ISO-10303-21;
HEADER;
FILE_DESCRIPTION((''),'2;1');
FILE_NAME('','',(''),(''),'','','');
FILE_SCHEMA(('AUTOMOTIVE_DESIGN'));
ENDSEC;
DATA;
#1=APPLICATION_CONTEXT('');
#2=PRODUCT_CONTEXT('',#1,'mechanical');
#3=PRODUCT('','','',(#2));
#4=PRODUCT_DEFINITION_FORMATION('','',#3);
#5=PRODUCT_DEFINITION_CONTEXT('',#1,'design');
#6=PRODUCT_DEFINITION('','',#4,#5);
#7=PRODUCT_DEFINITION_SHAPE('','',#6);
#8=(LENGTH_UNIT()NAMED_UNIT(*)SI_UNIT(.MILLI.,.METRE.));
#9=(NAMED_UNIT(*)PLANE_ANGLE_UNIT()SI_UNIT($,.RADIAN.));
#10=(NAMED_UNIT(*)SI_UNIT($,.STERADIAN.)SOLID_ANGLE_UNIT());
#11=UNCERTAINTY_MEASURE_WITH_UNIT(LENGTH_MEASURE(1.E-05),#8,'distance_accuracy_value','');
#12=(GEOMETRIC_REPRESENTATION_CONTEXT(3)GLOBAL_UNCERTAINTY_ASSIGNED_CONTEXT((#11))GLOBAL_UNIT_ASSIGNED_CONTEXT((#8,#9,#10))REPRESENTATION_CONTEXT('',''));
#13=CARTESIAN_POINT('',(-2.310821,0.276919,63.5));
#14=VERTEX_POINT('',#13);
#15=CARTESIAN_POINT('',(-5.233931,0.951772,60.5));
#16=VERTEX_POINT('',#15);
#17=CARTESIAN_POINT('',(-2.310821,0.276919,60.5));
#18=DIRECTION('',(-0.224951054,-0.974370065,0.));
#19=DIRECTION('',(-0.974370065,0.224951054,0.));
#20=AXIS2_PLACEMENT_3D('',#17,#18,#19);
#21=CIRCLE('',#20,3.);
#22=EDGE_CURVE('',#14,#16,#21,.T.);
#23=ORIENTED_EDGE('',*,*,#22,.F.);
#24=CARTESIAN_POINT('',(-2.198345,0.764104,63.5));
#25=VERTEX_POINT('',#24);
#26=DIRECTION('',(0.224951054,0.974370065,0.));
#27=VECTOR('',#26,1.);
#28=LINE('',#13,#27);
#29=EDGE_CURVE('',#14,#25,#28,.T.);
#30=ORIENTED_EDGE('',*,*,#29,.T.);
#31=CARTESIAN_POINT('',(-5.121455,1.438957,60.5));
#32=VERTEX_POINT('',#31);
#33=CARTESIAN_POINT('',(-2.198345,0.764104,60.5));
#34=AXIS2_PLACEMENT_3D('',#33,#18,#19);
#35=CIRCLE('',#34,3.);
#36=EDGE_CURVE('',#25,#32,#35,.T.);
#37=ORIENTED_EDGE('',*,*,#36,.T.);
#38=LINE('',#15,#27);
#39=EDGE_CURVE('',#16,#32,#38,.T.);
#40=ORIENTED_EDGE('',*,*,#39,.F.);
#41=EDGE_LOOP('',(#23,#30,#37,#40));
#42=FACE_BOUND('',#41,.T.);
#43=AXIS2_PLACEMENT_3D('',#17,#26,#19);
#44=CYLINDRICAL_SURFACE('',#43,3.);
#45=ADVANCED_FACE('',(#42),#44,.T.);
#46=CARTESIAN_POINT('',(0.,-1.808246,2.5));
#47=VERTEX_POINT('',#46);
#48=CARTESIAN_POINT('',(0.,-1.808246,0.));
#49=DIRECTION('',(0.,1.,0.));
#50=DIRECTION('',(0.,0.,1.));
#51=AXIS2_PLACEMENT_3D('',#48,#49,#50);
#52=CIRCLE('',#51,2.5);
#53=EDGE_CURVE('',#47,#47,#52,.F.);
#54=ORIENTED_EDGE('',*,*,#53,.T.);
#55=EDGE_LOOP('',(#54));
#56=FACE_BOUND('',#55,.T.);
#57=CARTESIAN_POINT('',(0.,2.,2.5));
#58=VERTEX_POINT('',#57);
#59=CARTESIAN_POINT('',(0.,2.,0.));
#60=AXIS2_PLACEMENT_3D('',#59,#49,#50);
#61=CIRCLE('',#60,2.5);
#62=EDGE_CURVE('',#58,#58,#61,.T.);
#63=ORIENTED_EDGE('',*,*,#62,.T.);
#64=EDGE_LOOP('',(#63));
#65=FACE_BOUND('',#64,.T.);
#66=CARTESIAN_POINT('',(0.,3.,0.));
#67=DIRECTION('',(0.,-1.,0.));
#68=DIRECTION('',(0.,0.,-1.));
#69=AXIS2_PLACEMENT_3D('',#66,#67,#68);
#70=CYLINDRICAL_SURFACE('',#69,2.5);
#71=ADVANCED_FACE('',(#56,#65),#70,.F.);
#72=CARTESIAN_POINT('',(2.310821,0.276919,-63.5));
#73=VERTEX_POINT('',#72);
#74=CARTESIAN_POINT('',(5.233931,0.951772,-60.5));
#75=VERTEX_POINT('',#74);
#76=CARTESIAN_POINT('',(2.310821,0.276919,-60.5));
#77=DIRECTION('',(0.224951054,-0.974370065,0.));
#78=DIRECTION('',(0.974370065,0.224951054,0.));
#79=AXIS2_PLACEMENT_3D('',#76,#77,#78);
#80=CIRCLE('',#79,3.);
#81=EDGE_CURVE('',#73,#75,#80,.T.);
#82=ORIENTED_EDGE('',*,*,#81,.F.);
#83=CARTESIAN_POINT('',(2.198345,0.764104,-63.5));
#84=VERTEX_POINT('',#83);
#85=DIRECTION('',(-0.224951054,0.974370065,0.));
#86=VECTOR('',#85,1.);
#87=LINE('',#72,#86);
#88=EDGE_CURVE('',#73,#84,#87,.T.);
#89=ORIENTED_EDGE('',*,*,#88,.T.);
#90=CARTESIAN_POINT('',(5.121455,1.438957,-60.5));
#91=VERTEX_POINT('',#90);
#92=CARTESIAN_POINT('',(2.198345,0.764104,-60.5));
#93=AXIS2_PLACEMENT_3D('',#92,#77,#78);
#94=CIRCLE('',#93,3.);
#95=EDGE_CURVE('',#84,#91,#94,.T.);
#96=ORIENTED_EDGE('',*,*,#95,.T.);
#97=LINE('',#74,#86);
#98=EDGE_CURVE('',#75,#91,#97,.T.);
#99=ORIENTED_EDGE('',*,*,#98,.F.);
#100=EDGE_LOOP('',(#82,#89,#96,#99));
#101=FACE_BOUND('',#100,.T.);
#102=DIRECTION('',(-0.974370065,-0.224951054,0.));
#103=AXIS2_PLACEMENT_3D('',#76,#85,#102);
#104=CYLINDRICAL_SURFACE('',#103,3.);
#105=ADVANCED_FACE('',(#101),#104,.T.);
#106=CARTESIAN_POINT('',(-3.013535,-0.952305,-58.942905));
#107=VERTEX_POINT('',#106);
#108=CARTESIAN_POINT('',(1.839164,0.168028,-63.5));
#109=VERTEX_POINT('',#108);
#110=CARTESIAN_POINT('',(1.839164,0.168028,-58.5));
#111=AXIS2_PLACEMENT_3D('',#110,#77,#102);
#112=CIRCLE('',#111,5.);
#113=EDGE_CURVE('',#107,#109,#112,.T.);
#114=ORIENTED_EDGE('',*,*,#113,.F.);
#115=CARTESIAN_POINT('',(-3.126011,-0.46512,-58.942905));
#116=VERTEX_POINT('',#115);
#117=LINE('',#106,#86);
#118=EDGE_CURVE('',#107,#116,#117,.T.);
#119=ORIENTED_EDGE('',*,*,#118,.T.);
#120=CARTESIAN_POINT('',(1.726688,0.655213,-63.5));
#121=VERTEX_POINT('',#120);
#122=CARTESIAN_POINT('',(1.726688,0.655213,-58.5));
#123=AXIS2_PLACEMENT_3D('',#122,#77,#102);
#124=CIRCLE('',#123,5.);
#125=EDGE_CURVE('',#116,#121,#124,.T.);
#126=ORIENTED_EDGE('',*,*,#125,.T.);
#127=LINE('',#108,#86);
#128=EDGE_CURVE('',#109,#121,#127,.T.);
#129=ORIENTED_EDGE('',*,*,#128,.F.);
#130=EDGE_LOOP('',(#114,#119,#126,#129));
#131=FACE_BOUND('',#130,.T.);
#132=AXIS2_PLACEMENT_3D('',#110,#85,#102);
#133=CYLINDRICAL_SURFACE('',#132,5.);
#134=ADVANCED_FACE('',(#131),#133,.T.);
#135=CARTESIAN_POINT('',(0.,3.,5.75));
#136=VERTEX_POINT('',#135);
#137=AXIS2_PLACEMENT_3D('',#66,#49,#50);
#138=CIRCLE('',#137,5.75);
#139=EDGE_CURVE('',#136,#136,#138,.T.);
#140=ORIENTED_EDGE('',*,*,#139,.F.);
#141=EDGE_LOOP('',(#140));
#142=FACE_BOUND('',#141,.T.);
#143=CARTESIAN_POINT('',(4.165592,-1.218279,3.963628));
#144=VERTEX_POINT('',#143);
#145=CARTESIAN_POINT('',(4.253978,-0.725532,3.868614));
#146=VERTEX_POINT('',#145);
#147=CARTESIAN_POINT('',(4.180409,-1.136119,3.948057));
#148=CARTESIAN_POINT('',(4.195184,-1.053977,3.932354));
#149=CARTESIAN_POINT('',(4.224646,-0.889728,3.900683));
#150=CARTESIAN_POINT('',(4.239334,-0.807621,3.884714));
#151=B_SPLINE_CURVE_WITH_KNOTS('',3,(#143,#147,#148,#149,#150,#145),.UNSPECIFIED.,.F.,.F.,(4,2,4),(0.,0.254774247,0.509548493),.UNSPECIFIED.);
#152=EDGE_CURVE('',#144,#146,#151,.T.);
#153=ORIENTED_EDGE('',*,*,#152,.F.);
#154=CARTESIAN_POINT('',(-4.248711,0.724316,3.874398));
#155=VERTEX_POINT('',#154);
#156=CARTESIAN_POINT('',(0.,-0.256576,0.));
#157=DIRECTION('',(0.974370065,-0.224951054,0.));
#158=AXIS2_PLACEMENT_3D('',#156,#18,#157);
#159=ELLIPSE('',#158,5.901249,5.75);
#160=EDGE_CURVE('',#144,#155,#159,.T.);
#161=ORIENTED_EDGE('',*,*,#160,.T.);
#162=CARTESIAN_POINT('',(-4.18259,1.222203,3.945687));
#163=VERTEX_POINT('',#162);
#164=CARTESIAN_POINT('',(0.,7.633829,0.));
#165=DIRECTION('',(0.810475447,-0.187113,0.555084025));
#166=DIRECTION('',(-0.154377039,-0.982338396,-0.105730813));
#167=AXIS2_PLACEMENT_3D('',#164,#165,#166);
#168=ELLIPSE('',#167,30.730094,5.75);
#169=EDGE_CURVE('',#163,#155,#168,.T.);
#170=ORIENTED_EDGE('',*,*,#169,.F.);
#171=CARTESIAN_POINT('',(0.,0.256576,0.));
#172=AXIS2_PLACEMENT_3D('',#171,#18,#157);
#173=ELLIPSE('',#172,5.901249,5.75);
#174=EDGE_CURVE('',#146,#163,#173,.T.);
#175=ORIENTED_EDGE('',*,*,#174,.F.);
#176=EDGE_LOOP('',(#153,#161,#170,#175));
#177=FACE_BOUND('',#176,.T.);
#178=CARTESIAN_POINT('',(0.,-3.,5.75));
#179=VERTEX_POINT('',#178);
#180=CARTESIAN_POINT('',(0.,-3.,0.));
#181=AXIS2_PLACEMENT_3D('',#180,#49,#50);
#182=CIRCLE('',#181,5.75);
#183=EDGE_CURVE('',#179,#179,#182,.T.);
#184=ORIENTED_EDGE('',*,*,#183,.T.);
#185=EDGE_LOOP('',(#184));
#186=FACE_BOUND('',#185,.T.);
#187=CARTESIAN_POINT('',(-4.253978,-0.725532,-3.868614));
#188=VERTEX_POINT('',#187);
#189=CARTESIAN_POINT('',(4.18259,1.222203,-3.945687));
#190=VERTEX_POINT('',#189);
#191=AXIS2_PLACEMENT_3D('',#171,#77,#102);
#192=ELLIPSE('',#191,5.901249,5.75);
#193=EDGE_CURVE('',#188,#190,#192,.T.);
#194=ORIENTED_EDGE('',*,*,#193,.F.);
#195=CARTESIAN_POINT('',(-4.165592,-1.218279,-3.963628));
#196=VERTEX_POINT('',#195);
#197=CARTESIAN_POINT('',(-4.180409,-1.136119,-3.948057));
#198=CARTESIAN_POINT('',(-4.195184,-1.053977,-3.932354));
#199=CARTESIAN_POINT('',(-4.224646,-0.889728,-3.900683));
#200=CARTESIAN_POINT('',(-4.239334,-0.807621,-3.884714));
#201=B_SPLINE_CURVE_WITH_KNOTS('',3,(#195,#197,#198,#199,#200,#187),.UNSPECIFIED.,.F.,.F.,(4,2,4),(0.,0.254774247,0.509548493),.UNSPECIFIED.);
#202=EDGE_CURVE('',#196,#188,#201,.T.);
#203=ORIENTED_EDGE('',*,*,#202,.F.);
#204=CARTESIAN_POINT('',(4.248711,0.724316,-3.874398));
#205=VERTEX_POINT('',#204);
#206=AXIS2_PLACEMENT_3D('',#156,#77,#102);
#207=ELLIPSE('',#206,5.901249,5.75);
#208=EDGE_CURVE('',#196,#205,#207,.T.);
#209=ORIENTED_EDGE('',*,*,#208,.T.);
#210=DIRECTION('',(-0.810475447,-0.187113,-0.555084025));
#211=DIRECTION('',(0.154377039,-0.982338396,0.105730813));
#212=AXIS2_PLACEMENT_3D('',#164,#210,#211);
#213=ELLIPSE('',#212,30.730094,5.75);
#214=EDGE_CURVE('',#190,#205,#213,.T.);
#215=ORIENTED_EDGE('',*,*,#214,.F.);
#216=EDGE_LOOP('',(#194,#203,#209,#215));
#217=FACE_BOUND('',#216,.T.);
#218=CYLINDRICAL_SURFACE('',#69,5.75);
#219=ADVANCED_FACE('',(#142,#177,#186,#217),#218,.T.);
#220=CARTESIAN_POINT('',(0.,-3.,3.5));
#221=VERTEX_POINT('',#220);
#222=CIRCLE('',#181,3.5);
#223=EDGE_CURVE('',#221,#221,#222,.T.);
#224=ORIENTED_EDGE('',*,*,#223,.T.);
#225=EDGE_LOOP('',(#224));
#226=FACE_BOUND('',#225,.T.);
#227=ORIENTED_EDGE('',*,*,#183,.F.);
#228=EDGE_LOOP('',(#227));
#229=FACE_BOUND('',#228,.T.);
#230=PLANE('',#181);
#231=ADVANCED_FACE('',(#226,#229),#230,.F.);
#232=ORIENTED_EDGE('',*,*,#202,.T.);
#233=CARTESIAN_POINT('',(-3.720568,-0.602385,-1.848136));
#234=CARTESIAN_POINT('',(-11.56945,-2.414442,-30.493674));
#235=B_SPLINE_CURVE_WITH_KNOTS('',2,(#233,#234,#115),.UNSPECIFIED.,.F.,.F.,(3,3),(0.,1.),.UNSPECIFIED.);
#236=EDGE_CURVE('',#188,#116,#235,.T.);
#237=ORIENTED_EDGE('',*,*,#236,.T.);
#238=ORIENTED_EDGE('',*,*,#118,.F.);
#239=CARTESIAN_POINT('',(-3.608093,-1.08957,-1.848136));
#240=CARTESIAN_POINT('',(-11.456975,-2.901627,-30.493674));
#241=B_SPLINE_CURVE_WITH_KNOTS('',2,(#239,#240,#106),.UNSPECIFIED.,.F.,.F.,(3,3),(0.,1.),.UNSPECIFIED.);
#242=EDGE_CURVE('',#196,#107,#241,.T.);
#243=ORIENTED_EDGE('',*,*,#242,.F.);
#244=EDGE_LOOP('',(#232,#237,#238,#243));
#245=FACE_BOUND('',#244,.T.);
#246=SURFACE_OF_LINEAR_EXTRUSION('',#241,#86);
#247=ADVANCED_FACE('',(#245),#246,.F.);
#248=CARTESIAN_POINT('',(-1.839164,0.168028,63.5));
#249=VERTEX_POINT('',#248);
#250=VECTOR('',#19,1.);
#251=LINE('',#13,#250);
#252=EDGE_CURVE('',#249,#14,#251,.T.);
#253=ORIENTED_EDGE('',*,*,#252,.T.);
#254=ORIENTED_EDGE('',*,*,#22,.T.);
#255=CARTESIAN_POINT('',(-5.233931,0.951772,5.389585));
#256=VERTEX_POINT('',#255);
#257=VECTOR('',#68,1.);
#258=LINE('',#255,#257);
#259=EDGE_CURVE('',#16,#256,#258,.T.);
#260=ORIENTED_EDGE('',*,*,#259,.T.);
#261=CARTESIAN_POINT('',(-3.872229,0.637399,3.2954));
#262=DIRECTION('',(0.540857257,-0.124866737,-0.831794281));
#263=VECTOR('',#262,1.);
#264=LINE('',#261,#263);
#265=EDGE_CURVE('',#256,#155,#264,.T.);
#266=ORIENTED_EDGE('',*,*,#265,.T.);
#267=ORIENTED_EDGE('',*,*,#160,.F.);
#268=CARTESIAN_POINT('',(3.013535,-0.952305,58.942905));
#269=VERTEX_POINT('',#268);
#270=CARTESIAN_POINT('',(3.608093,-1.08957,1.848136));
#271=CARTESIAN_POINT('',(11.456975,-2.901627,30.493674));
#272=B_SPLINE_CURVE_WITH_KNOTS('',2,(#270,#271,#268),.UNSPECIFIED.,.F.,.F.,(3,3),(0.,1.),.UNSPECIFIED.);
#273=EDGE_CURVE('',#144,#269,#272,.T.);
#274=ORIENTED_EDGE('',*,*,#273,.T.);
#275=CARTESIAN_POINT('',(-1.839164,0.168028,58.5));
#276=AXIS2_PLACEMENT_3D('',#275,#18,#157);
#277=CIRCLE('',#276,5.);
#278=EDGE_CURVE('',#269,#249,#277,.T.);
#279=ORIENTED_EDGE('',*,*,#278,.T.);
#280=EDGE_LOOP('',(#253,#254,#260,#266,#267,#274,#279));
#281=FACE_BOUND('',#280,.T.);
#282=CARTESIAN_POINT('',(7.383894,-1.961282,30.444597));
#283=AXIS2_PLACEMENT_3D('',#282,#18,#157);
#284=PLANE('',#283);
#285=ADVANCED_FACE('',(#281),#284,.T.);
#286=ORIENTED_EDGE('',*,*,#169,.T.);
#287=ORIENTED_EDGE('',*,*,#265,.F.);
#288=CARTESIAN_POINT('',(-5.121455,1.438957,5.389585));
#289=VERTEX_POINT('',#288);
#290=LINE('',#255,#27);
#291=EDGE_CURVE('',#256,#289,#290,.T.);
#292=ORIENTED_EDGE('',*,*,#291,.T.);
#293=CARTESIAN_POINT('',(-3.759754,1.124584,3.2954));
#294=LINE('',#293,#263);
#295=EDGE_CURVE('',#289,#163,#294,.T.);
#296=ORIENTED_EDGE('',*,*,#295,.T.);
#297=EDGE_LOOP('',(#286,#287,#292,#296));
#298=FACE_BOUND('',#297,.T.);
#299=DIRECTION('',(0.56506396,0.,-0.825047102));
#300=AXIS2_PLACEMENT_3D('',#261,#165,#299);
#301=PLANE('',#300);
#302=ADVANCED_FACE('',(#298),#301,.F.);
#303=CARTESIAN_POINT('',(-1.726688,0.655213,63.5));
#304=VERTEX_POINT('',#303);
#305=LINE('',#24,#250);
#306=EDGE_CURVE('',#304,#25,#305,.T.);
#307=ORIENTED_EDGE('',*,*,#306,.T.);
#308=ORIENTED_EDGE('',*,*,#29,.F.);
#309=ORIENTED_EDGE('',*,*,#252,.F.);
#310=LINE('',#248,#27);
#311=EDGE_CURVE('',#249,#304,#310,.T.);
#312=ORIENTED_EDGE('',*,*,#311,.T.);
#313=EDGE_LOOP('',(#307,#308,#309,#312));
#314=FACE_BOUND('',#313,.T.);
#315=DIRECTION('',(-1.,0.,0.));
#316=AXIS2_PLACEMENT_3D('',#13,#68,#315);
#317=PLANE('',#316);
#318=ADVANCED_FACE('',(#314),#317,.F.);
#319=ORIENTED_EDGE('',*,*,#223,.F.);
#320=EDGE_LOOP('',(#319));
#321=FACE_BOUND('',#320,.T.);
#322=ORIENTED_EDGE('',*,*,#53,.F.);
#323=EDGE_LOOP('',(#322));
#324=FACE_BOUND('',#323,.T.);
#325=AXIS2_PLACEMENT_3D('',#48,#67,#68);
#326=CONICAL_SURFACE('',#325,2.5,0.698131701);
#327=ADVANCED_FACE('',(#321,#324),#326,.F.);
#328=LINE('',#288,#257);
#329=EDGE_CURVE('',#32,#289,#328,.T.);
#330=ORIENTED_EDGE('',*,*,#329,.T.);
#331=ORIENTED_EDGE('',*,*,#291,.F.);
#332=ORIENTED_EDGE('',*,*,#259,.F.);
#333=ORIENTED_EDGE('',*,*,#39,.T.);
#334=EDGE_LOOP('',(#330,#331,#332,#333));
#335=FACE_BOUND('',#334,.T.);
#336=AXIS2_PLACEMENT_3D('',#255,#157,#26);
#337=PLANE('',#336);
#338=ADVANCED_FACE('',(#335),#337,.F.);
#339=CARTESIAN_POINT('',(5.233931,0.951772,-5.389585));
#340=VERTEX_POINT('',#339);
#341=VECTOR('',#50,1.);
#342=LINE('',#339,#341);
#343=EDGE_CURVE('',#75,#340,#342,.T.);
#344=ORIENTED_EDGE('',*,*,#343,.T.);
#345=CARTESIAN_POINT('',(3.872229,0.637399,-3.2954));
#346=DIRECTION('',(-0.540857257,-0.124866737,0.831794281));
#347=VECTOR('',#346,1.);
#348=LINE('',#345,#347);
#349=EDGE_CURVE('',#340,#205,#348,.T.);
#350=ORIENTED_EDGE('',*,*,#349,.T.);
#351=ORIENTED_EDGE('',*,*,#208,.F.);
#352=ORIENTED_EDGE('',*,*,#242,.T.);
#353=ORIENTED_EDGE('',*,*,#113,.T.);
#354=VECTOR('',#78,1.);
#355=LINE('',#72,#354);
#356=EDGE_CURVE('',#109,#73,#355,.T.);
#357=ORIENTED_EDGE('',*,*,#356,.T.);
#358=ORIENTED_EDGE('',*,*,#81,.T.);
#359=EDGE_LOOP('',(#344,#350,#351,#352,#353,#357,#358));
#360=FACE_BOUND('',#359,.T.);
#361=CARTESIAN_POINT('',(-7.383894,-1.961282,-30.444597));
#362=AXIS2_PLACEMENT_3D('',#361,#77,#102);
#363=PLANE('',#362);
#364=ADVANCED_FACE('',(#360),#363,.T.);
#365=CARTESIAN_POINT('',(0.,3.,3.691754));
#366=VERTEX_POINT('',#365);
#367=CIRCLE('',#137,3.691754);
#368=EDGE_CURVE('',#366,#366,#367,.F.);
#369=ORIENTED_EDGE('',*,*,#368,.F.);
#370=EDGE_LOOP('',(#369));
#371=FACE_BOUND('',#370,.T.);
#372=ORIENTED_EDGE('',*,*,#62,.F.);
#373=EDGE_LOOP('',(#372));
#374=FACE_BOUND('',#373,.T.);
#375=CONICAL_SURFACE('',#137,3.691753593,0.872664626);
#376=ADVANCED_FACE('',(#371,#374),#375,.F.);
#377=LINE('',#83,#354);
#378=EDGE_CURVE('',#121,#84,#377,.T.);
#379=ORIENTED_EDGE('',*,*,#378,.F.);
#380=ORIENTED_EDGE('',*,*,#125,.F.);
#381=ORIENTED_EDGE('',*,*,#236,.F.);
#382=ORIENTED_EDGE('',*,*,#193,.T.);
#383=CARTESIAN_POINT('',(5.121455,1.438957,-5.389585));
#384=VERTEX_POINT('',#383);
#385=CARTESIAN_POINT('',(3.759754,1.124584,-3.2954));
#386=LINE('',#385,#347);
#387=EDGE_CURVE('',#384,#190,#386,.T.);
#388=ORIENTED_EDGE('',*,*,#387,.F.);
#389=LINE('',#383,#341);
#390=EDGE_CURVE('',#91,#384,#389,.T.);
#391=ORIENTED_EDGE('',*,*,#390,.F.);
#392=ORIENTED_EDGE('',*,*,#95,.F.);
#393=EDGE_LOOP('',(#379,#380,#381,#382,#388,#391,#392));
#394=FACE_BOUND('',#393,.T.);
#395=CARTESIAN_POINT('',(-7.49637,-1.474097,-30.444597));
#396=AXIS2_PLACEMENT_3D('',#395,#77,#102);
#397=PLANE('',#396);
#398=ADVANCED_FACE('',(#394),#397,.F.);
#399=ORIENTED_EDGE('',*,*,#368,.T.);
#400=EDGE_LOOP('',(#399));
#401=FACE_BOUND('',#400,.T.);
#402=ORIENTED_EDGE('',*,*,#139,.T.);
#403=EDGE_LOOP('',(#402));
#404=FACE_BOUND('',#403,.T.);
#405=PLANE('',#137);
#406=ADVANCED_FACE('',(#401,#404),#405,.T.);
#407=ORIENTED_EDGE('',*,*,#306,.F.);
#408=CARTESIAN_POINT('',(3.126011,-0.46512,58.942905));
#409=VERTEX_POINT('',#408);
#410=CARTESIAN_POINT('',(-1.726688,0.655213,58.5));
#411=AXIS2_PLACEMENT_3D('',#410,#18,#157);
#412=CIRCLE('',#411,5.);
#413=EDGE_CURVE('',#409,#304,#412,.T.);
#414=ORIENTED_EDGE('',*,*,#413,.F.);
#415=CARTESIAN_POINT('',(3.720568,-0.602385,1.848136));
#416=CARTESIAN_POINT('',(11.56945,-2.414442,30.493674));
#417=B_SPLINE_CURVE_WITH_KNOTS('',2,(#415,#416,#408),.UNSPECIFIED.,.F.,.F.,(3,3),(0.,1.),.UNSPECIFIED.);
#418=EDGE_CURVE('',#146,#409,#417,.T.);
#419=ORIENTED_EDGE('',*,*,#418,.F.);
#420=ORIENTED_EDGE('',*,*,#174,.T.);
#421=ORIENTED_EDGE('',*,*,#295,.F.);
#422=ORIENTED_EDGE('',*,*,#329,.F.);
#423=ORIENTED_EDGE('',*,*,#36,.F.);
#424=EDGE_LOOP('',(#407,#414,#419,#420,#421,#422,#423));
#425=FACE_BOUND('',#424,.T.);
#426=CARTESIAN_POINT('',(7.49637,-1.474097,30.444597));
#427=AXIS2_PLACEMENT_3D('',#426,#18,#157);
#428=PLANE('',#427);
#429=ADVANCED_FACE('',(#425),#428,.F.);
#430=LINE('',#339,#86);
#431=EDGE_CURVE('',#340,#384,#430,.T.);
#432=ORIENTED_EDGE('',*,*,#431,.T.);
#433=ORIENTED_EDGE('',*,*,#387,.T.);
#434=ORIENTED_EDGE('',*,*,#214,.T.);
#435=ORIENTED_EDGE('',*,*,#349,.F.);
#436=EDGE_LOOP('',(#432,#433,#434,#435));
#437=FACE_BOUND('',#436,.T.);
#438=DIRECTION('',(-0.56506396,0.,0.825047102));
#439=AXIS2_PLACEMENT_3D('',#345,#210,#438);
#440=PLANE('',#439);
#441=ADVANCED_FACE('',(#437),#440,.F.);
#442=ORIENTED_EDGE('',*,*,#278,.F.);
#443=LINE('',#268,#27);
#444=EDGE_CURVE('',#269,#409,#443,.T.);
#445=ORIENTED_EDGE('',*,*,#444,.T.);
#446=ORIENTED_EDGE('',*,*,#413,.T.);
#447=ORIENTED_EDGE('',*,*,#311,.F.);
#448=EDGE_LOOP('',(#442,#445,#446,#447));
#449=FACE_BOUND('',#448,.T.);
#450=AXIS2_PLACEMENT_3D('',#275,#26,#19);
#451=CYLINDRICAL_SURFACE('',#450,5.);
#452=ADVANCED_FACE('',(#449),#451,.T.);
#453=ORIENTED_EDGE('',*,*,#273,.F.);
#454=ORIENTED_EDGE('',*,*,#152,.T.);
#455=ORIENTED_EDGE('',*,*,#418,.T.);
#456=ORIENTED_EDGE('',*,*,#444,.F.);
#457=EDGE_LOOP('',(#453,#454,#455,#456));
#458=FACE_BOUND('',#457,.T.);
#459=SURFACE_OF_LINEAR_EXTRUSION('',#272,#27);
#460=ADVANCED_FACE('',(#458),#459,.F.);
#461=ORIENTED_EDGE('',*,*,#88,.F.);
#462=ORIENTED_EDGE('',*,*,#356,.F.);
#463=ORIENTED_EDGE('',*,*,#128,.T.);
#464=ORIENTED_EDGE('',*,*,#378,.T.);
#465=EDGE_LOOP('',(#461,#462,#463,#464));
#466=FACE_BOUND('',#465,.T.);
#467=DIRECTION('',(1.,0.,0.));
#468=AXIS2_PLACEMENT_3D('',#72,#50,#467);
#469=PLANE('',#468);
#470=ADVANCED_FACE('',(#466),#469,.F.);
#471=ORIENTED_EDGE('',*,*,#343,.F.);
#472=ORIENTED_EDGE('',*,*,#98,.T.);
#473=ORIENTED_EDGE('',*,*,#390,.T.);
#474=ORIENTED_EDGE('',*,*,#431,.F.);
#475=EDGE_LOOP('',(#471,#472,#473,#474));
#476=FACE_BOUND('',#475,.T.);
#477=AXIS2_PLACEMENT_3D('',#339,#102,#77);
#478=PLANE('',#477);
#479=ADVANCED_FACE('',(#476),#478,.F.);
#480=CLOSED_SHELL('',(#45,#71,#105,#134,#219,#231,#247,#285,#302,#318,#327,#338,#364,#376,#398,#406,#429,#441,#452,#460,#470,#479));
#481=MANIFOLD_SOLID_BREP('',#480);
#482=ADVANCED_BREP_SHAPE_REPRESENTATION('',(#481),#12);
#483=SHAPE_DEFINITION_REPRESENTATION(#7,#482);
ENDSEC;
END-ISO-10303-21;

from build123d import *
from OCP.BRepFilletAPI import BRepFilletAPI_MakeChamfer

# Parameters (mm, degrees)
SKETCH_1_R               = 5.75
EXTRUDE_1_DEPTH          = 3
EXTRUDE_2_DEPTH          = 0.25
PATTERN_CIRCULAR_1_COUNT = 2
SKETCH_4_R               = 2.5
CUT_EXTRUDE_1_DEPTH      = 65.222479954
CHAMFER_1_SIZE           = 1
CHAMFER_1_SIZE2          = 1.191753593


with BuildPart() as part:
    # 草图1 → 凸台-拉伸1 (new, symmetric)
    with BuildSketch(Plane(origin=(0, 0, 0), x_dir=(1, 0, 0), z_dir=(0, 1, 0))):
        with Locations(Location((0, 0, 0), (0, 0, 270))):
            Circle(SKETCH_1_R)
    extrude(amount=EXTRUDE_1_DEPTH, both=True)

    # 草图3 → 凸台-拉伸2 (add, symmetric)
    with BuildSketch(Plane(origin=(0, 0, 0), x_dir=(0.9743700647852351, -0.22495105434386545, 0), z_dir=(-0.22495105434386545, -0.9743700647852351, 0))):
        with BuildLine():
            Line((-3.916367875, 3.295399757), (-5.31388764, 5.389585316))
            Line((-5.31388764, 5.389585316), (-5.31388764, 60.5))
            ThreePointArc((-5.31388764, 60.5), (-4.435207984, 62.621320344), (-2.31388764, 63.5))
            Line((-2.31388764, 63.5), (-1.829824276, 63.5))
            ThreePointArc((-1.829824276, 63.5), (1.545488809, 62.188802187), (3.15052064, 58.942904631))
            add(Edge.make_bspline(
                [(3.15052064, 58.942904631), (11.816057199, 30.493674225), (3.76071755, 1.848135525)],
                knots=[0, 0, 0, 1, 1, 1], degree=2))
            add(Edge.make_bspline(
                [(-3.916367875, 3.295399757), (0.478704758, 7.563280094), (3.76071755, 1.848135525)],
                knots=[0, 0, 0, 1, 1, 1], degree=2))
        make_face()
    extrude_2 = extrude(amount=EXTRUDE_2_DEPTH, both=True)

    # 阵列(圆周)1: 凸台-拉伸2 ×2 about axis
    pattern_circular_1_axis = Axis((0, -3, 0), (0, 1, 0))
    for i in range(1, PATTERN_CIRCULAR_1_COUNT):
        add(extrude_2.rotate(pattern_circular_1_axis, i * 360 / PATTERN_CIRCULAR_1_COUNT))

    # 草图4 → 切除-拉伸1 (cut, through all)
    with BuildSketch(Plane.XZ.offset(3)):
        with Locations(Location((0, 0, 0), (0, 0, 270))):
            Circle(SKETCH_4_R)
    extrude(amount=-CUT_EXTRUDE_1_DEPTH, mode=Mode.SUBTRACT)

    # 倒角1: one chamfer whose edges measure the first distance from different faces: ONE call of the kernel's chamfer builder (chamfer() names one face for all edges)
    chamfer_1_edges_1 = [part.edges().sort_by_distance(p)[0] for p in [
        (0, 3, 2.5),
    ]]
    chamfer_1_side_1 = [part.faces().sort_by_distance(p)[0] for p in [
        (0, 0, 2.5),
    ]]
    chamfer_1_edges_2 = [part.edges().sort_by_distance(p)[0] for p in [
        (0, -3, 2.5),
    ]]
    chamfer_1_side_2 = [part.faces().sort_by_distance(p)[0] for p in [
        (0, -3, -5.58736544),
    ]]
    chamfer_1 = BRepFilletAPI_MakeChamfer(part.part.solid().wrapped)
    for e in chamfer_1_edges_1:
        chamfer_1.Add(CHAMFER_1_SIZE, CHAMFER_1_SIZE2, e.wrapped, chamfer_1_side_1[0].wrapped)  # the first distance lies on this face
    for e in chamfer_1_edges_2:
        chamfer_1.Add(CHAMFER_1_SIZE, CHAMFER_1_SIZE2, e.wrapped, chamfer_1_side_2[0].wrapped)  # the first distance lies on this face
    add(Compound.cast(chamfer_1.Shape()), mode=Mode.REPLACE)


solid = part.part
